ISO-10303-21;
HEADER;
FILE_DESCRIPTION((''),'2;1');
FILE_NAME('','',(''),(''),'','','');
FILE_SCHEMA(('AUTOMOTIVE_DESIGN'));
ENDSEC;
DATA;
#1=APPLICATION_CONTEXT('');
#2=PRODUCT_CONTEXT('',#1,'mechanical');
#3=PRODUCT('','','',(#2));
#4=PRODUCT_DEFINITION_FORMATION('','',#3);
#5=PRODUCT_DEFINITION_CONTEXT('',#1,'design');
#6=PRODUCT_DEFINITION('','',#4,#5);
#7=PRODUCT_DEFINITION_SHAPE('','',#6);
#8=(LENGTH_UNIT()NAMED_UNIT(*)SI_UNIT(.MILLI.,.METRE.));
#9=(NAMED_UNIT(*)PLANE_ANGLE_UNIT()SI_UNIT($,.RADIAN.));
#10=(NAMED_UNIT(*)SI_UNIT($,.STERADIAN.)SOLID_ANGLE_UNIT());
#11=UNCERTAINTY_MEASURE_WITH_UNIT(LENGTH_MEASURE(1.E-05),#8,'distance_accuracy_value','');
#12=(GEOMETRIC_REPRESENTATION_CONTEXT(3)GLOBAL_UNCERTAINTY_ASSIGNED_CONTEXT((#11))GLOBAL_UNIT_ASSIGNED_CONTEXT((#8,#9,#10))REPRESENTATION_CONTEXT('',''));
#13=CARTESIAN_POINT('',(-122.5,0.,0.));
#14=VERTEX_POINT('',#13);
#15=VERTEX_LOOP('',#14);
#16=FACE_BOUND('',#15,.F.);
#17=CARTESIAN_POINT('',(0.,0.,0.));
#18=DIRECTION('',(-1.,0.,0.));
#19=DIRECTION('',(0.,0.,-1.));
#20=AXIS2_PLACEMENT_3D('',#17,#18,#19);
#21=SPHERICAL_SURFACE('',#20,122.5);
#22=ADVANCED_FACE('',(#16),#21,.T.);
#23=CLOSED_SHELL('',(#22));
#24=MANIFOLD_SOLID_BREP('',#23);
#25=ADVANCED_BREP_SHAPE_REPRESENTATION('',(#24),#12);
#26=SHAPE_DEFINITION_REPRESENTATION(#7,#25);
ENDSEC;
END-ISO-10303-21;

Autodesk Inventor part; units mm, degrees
ref_plane "YZ Plane" through (0, 0, 0) normal (1, 0, 0) x (0, 1, 0)
ref_plane "XZ Plane" through (0, 0, 0) normal (0, 1, 0) x (-1, 0, 0)
ref_plane "XY Plane" through (0, 0, 0) normal (0, 0, 1) x (1, 0, 0)
sketch "スケッチ1" plane through (0, 0, 0) normal (0, 1, 0) x (-1, 0, 0)
  circle A0 centre (0, 0) radius 122.5
  line L0 (122.5, 0) -> (-122.5, 0)
  dimension "d0" = 245
revolve "回転1" add sketch "スケッチ1" angle 360 about axis through (-122.5, 0, 0) along (1, 0, 0) picked at (21.8796, -54.7864) contours A0 L0
properties part number "バスケボール（仮）" material "PAEK 樹脂"
